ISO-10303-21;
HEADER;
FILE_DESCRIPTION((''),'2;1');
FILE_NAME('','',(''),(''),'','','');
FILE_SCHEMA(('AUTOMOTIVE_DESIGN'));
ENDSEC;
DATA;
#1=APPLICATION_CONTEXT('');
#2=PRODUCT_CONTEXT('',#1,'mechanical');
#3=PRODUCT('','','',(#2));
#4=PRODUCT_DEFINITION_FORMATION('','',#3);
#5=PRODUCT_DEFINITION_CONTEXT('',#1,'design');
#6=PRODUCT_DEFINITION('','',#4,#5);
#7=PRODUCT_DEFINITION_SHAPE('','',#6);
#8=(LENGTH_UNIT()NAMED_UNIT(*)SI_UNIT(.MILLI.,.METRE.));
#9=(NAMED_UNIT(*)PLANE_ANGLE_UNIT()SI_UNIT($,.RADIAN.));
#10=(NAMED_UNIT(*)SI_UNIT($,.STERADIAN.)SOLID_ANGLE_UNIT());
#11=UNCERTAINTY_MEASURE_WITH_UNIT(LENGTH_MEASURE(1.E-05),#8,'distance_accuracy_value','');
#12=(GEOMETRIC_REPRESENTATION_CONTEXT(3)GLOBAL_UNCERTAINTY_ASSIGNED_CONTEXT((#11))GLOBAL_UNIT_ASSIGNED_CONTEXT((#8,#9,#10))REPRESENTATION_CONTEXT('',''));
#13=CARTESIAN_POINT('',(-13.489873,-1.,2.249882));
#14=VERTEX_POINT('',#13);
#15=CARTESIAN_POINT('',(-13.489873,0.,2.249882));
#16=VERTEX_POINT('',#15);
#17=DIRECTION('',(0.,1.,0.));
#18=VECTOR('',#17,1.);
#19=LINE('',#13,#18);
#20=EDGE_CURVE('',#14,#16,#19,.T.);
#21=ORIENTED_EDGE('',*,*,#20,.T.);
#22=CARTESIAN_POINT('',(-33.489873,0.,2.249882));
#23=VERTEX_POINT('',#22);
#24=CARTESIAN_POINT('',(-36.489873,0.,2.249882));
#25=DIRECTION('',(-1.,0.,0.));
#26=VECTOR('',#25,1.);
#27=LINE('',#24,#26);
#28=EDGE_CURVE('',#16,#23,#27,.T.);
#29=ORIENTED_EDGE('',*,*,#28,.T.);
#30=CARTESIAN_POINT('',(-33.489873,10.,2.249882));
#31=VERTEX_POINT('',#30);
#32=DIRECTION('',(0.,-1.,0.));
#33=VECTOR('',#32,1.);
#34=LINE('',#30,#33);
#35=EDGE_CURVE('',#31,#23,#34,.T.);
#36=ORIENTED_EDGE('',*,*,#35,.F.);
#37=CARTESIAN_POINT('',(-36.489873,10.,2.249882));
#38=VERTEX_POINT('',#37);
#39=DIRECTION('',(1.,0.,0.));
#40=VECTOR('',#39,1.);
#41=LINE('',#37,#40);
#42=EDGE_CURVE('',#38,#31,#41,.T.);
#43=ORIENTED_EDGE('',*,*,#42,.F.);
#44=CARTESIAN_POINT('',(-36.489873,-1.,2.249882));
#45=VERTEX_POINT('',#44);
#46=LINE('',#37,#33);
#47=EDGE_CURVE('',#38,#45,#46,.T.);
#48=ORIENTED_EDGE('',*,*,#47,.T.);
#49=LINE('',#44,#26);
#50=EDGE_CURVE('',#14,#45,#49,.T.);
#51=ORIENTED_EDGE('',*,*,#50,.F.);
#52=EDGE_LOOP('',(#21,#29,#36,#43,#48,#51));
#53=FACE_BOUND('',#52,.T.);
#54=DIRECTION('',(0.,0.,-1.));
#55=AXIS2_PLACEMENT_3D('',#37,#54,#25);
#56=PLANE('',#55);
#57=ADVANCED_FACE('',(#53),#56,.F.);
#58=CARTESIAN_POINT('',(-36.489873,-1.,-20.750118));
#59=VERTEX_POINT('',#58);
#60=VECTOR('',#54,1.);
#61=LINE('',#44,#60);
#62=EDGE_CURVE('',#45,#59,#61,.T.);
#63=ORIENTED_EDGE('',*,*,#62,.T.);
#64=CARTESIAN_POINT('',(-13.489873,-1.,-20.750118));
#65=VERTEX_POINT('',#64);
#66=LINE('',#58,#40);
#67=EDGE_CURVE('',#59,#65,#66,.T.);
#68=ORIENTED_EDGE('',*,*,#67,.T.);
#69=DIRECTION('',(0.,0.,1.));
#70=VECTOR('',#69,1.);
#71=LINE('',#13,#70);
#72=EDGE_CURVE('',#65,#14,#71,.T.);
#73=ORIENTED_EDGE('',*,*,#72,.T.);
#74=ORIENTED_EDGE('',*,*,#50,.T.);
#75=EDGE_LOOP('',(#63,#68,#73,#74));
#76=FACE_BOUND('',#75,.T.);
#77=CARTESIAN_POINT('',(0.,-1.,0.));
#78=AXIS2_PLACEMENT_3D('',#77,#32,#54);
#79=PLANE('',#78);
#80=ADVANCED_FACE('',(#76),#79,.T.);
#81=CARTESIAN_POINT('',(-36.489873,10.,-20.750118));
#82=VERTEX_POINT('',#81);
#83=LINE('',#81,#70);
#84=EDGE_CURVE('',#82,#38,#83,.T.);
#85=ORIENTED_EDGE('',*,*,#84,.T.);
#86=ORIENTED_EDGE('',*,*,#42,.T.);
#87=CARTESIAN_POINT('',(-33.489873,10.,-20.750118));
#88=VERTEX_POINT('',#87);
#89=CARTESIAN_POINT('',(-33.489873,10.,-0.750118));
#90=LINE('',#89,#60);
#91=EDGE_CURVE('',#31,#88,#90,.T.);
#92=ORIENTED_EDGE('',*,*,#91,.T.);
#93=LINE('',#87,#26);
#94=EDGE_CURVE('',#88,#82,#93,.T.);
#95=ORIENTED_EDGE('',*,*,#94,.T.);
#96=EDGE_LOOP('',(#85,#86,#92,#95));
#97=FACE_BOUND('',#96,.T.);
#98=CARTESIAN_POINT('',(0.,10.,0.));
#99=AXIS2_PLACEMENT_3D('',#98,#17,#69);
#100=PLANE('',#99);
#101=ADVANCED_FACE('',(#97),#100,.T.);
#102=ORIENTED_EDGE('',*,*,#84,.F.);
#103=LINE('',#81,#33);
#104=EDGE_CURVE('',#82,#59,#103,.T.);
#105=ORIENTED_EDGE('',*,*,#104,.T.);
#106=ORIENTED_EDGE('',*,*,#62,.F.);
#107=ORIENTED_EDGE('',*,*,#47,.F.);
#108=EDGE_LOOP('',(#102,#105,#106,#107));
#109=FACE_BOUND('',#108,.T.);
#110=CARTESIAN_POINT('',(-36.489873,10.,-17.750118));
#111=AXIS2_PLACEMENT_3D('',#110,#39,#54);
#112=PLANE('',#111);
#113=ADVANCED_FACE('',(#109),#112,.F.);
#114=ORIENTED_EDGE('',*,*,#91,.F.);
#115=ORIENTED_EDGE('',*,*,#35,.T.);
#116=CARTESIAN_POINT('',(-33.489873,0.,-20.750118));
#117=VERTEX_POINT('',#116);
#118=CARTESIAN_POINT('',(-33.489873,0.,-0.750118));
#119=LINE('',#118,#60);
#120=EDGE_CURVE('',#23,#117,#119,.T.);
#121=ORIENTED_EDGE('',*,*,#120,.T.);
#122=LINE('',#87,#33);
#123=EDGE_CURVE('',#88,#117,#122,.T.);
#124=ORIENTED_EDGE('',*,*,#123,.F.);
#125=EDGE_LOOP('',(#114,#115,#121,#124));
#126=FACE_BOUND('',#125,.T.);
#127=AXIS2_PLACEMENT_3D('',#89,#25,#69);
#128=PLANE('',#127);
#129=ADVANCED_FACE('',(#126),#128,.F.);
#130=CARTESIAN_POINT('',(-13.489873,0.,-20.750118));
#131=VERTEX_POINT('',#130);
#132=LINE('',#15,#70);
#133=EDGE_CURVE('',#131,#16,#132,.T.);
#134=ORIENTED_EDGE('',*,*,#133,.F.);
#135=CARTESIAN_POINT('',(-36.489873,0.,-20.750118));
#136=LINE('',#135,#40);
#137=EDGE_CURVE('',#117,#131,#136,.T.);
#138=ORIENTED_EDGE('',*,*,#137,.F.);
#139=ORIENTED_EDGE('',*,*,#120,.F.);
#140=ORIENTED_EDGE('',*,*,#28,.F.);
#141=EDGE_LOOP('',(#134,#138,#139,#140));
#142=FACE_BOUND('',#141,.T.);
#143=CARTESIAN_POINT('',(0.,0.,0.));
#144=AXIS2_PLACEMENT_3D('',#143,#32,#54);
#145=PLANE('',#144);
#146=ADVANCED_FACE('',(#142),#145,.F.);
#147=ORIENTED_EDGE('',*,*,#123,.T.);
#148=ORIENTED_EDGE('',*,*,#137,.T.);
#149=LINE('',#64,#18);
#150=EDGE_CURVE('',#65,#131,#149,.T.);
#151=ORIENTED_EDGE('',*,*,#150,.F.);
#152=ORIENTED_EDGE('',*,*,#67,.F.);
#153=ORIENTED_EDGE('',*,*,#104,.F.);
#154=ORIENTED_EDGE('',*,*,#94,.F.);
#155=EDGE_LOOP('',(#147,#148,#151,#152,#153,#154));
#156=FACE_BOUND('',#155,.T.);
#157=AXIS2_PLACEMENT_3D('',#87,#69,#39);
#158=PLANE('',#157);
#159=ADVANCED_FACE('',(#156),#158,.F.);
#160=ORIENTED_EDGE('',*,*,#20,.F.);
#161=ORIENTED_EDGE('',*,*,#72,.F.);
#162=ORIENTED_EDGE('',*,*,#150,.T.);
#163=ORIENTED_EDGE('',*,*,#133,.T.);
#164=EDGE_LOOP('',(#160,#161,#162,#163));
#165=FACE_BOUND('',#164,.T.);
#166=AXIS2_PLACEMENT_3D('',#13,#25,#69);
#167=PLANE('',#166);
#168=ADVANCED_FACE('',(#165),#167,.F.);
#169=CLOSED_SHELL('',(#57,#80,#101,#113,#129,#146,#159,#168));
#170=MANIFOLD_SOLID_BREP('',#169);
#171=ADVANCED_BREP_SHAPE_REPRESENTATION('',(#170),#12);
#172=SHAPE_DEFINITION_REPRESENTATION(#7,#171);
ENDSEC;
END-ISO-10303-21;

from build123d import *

# Parameters (mm, degrees)
BOSS_EXTRUDE1_DEPTH = 10
SKETCH2_W           = 23
SKETCH2_H           = 23
BOSS_EXTRUDE2_DEPTH = 1


with BuildPart() as part:
    # Sketch1 → Boss-Extrude1 (new body)
    with BuildSketch(Plane(origin=(0, 0, 0), x_dir=(1, 0, 0), z_dir=(0, 1, 0))):
        Polygon((-36.489872914, 17.750117647), (-36.489872914, -2.249882353), (-33.489872914, -2.249882353), (-33.489872914, 0.750117647), (-33.489872914, 20.750117647), (-36.489872914, 20.750117647), align=None)
    extrude(amount=BOSS_EXTRUDE1_DEPTH)

    # Sketch2 → Boss-Extrude2 (add)
    with BuildSketch(Plane.XZ):
        with Locations((-24.989872914, -9.250117647)):
            Rectangle(SKETCH2_W, SKETCH2_H)
    extrude(amount=BOSS_EXTRUDE2_DEPTH)


solid = part.part
